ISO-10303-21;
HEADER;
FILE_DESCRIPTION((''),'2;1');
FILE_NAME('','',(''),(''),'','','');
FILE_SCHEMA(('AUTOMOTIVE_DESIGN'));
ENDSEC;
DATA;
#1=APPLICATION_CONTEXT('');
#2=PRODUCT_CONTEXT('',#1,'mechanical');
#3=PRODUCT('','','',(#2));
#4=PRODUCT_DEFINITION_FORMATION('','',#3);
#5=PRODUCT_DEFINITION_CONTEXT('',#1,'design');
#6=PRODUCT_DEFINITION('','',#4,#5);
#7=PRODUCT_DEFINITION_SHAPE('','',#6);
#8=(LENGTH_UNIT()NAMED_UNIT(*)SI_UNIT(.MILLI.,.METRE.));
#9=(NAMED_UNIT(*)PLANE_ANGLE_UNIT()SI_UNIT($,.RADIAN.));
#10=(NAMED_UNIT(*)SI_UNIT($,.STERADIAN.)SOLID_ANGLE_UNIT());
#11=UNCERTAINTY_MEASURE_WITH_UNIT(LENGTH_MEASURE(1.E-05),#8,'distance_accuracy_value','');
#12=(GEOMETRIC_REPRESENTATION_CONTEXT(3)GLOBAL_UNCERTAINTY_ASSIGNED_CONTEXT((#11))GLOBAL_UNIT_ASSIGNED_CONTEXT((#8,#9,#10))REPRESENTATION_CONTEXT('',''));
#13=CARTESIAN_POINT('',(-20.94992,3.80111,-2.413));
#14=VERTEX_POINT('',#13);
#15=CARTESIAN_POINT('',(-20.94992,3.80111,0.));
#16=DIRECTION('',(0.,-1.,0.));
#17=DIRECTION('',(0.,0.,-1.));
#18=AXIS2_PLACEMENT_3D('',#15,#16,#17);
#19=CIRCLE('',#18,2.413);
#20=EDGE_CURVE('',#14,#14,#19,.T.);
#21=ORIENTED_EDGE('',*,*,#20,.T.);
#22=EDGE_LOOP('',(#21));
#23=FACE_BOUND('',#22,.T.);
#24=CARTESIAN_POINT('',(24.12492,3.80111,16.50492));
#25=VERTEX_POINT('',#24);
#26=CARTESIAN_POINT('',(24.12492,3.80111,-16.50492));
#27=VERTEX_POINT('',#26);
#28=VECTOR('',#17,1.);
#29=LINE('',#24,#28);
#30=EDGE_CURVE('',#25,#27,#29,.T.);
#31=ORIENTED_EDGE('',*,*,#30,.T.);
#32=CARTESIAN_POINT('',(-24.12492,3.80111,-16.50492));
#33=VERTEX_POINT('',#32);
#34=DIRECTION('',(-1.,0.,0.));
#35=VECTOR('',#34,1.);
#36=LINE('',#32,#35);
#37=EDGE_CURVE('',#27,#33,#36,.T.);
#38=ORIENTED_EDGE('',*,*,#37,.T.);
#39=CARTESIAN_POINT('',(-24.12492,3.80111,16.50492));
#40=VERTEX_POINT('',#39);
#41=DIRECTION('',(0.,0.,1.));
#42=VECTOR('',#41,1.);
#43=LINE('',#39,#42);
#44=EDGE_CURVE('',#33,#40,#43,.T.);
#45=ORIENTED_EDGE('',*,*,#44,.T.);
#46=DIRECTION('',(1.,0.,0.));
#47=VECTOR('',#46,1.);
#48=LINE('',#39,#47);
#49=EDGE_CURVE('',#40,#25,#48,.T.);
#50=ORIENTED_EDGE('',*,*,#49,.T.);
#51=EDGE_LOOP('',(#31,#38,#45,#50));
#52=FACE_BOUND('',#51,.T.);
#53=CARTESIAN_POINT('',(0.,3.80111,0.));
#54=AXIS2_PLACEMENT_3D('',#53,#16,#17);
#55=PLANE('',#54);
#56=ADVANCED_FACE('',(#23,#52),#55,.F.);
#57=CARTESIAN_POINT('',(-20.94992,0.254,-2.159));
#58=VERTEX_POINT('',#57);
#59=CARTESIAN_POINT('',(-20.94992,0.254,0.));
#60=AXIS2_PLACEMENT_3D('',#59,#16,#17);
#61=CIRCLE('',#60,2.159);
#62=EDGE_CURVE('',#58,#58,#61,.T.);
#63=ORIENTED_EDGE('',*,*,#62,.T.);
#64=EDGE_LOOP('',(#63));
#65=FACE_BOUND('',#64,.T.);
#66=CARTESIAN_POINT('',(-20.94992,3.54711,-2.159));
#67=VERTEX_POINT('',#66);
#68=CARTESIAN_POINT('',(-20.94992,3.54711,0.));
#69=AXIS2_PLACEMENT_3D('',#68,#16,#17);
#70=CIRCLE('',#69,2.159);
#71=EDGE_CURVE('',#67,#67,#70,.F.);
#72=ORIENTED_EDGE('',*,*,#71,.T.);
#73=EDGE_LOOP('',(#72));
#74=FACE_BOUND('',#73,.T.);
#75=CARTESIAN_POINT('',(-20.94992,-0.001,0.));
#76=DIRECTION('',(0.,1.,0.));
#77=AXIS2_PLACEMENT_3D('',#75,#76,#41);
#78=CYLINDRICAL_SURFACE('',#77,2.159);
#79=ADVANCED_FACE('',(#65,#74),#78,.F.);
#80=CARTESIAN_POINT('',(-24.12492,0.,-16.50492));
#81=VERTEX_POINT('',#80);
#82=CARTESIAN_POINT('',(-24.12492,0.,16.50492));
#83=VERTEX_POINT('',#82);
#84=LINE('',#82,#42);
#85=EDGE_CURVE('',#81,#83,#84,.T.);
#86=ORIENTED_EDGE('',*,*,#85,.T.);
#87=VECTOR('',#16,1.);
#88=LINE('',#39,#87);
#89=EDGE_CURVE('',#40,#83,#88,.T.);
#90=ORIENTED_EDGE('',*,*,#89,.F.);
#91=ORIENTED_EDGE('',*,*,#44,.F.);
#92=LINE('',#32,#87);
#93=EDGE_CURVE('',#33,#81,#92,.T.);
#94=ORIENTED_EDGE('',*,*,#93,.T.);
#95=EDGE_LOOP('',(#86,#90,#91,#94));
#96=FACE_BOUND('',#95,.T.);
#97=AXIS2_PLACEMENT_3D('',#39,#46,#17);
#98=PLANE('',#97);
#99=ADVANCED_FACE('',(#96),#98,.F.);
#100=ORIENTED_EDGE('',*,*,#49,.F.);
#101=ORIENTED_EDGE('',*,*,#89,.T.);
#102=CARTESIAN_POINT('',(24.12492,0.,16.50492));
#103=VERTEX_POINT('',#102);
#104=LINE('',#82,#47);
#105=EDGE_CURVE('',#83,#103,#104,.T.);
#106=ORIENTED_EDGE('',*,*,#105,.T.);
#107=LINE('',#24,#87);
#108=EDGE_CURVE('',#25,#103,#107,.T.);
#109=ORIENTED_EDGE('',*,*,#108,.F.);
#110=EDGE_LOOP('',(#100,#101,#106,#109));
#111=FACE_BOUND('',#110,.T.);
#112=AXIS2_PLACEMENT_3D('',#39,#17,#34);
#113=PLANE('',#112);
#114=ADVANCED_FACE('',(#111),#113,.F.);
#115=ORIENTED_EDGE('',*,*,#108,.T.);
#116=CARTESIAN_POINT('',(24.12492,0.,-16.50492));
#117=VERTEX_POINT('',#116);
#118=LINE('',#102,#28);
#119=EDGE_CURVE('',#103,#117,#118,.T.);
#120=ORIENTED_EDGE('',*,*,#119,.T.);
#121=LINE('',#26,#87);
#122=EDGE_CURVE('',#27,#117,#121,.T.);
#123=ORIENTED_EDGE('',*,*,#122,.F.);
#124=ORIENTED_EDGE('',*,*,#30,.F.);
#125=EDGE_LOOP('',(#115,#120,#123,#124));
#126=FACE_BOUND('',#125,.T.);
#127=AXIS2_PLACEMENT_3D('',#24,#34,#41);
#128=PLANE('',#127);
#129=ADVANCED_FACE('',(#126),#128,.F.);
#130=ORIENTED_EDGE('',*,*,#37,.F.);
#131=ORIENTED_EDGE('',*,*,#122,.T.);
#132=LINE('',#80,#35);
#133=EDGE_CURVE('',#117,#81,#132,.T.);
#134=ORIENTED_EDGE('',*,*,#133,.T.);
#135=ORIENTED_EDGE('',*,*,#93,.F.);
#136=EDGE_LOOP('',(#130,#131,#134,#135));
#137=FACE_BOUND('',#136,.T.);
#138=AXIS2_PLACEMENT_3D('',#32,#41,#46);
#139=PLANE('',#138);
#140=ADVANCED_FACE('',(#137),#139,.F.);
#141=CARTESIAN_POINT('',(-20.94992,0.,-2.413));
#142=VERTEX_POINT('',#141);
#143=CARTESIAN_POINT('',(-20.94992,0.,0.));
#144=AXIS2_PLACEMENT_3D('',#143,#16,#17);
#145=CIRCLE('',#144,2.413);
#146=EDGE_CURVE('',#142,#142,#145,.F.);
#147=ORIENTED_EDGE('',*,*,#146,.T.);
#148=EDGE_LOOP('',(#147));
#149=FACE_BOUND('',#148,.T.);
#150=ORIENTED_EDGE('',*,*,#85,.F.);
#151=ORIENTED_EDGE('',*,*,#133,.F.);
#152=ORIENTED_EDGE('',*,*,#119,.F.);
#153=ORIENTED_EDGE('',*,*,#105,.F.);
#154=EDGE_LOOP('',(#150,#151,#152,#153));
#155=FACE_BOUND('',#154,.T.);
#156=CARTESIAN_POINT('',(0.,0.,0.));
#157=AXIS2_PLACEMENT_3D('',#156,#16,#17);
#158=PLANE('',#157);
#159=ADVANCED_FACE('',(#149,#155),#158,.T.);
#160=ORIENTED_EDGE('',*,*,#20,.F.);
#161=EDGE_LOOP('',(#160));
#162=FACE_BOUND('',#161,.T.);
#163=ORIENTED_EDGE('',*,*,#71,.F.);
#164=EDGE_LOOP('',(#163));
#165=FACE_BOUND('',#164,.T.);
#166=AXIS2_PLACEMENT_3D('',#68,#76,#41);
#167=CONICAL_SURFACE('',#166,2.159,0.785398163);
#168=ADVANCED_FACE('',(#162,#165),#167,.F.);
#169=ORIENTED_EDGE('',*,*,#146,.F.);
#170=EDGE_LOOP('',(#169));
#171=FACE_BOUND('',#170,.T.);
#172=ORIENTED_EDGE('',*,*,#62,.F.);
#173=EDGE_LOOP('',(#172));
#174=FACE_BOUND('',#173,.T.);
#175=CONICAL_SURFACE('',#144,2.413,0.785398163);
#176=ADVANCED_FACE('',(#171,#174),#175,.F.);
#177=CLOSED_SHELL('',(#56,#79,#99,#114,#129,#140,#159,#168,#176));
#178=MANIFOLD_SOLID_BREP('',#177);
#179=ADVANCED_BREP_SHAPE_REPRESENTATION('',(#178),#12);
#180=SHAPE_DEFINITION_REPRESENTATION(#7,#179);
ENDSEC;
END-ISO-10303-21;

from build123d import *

# Parameters (mm, degrees)
SKETCH1_W           = 48.24984
SKETCH1_H           = 33.00984
BOSS_EXTRUDE1_DEPTH = 3.80111
CUT_EXTRUDE1_REACH  = 31.477
SKETCH2_R           = 2.159
CHAMFER1_SIZE       = 0.254


with BuildPart() as part:
    # Sketch1 → Boss-Extrude1 (new body)
    with BuildSketch(Plane(origin=(0, 0, 0), x_dir=(1, 0, 0), z_dir=(0, 1, 0))):
        Rectangle(SKETCH1_W, SKETCH1_H)
    extrude(amount=BOSS_EXTRUDE1_DEPTH)

    # Sketch2 → Cut-Extrude1 (cut, up to next)
    with BuildSketch(Plane(origin=(0, 3.80111, 0), x_dir=(1, 0, 0), z_dir=(0, 1, 0)), mode=Mode.PRIVATE) as cut_extrude1_sk1:
        with Locations(Location((-20.94992, 0, 0), (0, 0, 270))):
            Circle(SKETCH2_R)
    cut_extrude1_tool1 = extrude(cut_extrude1_sk1.sketch, amount=-CUT_EXTRUDE1_REACH, mode=Mode.PRIVATE) & part.part
    add(cut_extrude1_tool1.solids().sort_by_distance((-20.94992, 3.80111, 0))[0], mode=Mode.SUBTRACT)

    # Chamfer1
    chamfer1_edges = [part.edges().sort_by_distance(p)[0] for p in [
        (-20.94992, 0, -2.159),
        (-20.94992, 3.80111, -2.159),
    ]]
    chamfer(chamfer1_edges, length=CHAMFER1_SIZE)


solid = part.part
